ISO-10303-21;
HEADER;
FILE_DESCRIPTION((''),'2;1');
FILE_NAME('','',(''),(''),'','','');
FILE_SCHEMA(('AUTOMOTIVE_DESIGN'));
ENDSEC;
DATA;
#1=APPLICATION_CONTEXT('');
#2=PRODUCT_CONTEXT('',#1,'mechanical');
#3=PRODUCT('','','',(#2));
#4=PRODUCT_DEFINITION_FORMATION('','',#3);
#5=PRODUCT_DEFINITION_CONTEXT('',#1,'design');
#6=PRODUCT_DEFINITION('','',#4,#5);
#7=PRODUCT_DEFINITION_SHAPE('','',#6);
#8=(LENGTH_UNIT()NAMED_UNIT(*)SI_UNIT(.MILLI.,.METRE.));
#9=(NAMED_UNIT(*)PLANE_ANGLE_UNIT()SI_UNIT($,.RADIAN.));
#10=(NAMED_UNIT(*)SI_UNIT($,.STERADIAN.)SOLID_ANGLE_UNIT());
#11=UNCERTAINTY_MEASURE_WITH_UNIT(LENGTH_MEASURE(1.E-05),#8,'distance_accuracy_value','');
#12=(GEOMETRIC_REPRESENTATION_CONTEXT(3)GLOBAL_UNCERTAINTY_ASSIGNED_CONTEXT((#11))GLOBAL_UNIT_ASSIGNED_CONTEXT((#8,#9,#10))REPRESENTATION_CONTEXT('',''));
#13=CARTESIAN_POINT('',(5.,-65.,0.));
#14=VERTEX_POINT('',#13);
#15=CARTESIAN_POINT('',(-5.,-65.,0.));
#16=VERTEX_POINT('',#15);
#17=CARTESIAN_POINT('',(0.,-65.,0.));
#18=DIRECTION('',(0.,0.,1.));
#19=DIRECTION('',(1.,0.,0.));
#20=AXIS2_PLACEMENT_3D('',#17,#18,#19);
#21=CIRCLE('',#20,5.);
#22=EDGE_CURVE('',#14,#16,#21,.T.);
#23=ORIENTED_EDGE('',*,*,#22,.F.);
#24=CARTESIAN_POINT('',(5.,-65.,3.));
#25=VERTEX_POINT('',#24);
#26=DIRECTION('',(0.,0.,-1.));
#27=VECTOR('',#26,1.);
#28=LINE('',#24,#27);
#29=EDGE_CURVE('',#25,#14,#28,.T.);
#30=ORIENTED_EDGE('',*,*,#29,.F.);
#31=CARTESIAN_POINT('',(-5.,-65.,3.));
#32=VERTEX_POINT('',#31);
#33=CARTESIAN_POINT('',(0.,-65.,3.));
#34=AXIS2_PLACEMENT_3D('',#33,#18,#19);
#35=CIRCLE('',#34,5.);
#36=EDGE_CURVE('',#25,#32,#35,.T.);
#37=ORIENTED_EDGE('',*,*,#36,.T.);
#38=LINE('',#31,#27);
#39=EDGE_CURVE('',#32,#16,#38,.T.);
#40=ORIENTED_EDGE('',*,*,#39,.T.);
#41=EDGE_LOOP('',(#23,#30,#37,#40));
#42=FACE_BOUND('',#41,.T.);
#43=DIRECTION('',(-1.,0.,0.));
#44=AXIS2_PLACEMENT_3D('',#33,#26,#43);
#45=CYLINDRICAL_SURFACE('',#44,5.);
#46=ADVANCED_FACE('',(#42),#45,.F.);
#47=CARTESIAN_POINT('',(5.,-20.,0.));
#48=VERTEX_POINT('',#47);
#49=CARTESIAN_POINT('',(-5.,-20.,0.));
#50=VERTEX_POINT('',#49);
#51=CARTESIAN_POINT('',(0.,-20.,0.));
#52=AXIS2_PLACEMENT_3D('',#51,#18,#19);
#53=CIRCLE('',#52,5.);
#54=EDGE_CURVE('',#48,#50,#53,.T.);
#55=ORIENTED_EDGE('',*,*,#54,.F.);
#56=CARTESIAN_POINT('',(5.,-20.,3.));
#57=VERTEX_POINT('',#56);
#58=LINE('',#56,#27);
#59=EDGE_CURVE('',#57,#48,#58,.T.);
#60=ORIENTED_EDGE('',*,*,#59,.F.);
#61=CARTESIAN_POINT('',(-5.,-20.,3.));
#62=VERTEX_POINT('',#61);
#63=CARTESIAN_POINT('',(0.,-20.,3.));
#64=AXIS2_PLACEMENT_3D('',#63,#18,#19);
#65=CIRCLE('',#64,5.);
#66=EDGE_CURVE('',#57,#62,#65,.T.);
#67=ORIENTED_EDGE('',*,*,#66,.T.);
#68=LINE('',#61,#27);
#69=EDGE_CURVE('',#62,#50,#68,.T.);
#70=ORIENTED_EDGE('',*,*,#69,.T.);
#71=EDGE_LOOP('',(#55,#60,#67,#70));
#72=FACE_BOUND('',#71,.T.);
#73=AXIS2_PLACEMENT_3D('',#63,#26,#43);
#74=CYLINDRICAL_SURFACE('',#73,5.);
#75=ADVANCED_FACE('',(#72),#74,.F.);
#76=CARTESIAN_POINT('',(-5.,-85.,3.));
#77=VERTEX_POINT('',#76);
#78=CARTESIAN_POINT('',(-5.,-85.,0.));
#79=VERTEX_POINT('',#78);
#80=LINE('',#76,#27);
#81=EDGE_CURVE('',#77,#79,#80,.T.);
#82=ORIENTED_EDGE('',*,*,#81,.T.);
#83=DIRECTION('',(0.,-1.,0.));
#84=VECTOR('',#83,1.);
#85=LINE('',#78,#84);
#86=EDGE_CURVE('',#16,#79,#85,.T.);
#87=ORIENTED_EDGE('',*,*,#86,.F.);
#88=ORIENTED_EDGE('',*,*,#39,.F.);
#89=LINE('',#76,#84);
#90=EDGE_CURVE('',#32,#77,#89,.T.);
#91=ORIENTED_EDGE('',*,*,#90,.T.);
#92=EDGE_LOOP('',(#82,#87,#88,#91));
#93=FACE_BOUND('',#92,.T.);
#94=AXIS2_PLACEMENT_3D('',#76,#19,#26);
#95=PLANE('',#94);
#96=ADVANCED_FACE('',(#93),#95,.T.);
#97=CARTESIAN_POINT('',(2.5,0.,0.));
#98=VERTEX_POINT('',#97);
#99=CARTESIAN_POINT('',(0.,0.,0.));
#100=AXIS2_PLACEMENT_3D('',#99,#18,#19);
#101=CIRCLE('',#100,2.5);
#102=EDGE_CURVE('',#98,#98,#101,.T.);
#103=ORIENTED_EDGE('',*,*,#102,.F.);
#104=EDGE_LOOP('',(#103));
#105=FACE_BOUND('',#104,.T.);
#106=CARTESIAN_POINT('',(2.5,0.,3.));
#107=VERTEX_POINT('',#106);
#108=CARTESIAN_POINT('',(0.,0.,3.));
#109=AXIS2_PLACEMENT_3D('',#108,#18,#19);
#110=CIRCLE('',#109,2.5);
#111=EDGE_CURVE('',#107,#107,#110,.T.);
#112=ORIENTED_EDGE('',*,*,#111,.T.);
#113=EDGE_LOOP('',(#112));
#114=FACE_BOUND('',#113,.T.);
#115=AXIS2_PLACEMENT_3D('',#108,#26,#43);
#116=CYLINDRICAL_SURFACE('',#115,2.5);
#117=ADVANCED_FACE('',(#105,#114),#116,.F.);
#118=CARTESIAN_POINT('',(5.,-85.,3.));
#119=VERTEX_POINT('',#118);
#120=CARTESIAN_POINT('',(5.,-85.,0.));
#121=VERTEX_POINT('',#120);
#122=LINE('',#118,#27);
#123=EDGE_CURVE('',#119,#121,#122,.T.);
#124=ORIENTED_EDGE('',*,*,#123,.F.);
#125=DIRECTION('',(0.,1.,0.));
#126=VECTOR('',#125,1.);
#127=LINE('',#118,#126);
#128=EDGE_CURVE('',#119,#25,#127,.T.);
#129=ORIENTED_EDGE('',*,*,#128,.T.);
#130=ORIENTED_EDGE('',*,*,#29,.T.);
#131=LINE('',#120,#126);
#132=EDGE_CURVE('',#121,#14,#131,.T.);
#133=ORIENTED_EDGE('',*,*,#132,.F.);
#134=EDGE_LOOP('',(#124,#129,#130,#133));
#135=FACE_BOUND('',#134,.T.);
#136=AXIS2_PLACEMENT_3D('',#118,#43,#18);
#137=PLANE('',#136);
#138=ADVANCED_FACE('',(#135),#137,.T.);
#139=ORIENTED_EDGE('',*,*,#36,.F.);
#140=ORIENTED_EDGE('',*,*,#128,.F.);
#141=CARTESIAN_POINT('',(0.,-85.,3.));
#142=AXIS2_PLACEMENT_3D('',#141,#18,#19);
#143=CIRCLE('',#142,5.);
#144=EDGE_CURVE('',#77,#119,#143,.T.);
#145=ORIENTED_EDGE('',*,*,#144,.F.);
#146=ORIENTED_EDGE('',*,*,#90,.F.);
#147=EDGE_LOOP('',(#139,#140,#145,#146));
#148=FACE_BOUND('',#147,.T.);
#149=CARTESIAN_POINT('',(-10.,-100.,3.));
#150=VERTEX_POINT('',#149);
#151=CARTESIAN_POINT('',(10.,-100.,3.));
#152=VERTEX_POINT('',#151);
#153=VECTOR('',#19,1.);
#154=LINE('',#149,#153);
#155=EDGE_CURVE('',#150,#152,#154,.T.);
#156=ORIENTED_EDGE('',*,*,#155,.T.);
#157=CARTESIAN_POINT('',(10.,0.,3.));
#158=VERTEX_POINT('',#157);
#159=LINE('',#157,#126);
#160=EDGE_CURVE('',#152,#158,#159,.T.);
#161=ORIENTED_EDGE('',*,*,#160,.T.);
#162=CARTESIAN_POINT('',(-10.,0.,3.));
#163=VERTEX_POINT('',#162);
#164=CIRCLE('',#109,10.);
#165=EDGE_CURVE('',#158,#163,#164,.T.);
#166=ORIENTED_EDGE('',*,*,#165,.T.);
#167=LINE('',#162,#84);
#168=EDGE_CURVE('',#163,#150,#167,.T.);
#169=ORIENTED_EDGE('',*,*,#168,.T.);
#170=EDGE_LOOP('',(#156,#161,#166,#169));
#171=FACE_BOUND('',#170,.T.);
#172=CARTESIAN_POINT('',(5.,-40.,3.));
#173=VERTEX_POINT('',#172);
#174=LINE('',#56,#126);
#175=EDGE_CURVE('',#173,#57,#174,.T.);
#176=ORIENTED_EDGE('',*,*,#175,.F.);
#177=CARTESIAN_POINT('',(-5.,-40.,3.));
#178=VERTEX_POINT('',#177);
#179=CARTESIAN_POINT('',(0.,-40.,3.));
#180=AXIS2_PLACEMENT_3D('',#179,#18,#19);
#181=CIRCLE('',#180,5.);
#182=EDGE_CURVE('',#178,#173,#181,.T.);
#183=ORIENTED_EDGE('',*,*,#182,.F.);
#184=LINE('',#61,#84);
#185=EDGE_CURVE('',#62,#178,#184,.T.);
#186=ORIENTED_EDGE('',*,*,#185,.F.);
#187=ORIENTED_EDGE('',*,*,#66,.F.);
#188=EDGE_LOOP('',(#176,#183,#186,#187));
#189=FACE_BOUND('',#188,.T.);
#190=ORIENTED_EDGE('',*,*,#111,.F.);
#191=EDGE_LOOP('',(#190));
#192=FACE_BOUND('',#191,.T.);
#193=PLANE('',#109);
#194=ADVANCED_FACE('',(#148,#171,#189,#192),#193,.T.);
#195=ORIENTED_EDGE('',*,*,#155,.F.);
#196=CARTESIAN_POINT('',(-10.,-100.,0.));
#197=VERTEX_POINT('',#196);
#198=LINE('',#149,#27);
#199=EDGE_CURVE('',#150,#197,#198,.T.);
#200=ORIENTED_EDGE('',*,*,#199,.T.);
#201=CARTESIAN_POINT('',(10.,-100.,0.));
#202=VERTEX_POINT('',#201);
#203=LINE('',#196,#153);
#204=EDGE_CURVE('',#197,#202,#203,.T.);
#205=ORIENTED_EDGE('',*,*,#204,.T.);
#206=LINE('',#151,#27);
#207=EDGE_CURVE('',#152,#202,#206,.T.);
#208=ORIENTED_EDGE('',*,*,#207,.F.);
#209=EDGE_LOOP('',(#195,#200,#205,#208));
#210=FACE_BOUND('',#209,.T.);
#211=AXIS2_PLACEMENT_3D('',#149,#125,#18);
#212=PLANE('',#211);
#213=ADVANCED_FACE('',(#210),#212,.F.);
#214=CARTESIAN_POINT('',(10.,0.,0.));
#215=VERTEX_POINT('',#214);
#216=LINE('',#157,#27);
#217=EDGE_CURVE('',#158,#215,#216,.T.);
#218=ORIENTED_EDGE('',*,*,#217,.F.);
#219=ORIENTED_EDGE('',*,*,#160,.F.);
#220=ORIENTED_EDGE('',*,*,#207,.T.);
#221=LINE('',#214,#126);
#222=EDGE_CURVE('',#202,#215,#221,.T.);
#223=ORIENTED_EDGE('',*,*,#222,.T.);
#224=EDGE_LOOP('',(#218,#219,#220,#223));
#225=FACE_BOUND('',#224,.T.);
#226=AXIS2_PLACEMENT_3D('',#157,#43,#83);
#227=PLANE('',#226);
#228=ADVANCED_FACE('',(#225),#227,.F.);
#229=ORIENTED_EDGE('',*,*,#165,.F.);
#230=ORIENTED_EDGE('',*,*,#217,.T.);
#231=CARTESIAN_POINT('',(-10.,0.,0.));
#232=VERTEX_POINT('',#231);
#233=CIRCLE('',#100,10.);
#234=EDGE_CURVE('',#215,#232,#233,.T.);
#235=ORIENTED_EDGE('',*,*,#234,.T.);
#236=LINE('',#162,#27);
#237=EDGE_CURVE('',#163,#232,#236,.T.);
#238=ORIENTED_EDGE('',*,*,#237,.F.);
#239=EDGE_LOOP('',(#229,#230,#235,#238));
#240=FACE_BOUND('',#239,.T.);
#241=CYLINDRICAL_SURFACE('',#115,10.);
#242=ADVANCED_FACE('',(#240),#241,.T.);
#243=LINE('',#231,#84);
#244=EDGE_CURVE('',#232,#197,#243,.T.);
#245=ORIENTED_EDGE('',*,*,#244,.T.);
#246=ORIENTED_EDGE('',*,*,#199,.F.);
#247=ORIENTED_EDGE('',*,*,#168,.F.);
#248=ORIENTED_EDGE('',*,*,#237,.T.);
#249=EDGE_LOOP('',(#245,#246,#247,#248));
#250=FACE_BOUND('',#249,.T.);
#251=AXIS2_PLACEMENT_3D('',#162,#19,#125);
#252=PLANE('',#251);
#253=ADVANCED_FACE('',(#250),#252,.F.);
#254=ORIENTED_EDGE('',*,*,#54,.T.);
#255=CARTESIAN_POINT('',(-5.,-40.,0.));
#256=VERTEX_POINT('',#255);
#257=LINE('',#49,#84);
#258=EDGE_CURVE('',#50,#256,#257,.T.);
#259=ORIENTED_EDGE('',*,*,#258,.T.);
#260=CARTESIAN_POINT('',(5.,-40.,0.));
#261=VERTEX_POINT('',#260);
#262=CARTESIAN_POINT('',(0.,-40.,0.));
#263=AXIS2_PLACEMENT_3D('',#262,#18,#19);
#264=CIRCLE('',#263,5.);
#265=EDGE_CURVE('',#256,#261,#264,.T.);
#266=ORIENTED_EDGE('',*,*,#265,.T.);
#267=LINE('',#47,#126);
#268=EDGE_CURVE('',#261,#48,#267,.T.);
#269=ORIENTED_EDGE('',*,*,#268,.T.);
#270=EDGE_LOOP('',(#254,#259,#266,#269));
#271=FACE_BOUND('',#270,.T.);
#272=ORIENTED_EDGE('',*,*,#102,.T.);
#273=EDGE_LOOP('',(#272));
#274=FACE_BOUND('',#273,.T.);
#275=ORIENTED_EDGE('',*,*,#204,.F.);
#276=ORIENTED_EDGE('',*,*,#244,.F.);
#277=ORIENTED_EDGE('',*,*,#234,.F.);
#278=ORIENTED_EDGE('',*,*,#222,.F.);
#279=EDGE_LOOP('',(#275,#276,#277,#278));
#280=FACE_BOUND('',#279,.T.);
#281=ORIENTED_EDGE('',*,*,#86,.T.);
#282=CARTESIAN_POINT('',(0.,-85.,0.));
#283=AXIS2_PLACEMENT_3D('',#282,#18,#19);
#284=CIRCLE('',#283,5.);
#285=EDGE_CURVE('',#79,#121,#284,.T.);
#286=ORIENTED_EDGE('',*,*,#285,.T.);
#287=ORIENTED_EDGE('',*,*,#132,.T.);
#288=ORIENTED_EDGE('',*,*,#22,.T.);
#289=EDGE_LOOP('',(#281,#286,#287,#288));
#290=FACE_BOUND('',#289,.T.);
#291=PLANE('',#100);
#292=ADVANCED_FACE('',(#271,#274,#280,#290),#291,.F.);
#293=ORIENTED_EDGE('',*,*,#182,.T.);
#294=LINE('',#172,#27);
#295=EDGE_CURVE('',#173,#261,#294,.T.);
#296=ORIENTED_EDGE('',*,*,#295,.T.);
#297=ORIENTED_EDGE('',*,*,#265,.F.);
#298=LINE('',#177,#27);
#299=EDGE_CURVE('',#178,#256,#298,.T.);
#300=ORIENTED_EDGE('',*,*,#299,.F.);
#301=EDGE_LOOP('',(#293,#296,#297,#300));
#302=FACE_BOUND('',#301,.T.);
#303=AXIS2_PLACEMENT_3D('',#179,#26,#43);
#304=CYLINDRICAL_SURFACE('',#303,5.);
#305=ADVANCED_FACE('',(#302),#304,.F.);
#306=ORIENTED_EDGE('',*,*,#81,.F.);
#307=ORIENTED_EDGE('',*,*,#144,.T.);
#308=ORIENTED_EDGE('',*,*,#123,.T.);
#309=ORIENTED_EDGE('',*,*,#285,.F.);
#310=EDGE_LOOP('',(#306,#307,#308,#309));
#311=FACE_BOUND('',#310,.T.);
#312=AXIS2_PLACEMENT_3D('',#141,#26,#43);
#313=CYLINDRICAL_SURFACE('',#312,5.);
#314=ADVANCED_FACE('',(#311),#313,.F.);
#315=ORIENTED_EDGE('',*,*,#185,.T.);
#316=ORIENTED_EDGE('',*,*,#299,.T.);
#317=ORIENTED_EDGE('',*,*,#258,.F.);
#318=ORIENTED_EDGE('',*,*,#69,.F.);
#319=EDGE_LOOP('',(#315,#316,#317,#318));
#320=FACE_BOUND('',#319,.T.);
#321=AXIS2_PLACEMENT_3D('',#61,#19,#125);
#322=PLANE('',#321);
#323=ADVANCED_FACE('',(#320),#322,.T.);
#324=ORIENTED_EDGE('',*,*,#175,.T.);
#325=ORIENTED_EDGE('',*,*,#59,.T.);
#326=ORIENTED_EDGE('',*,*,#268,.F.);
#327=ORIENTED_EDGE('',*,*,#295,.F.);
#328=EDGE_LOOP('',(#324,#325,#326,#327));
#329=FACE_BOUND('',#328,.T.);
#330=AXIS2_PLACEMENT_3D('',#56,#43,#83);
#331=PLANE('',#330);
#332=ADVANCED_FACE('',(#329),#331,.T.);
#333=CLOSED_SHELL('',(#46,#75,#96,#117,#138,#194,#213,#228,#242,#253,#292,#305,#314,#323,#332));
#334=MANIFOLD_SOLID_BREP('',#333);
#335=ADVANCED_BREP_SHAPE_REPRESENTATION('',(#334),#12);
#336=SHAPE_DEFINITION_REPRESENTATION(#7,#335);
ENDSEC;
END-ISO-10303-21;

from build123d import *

# Parameters (mm, degrees)
SKETCH1_R           = 2.5
BOSS_EXTRUDE1_DEPTH = 3


with BuildPart() as part:
    # Sketch1 → Boss-Extrude1 (new body)
    with BuildSketch(Plane.XY):
        with BuildLine():
            Line((10, 0), (10, -100))
            Line((10, -100), (-10, -100))
            Line((-10, -100), (-10, 0))
            ThreePointArc((-10, 0), (0, 10), (10, 0))
        make_face()
        Circle(SKETCH1_R, mode=Mode.SUBTRACT)
        with BuildLine():
            Line((5, -20), (5, -40))
            ThreePointArc((5, -40), (0, -45), (-5, -40))
            Line((-5, -40), (-5, -20))
            ThreePointArc((-5, -20), (0, -15), (5, -20))
        make_face(mode=Mode.SUBTRACT)
        with BuildLine():
            Line((-5, -85), (-5, -65))
            ThreePointArc((-5, -65), (0, -60), (5, -65))
            Line((5, -65), (5, -85))
            ThreePointArc((5, -85), (0, -90), (-5, -85))
        make_face(mode=Mode.SUBTRACT)
    extrude(amount=BOSS_EXTRUDE1_DEPTH)


solid = part.part
